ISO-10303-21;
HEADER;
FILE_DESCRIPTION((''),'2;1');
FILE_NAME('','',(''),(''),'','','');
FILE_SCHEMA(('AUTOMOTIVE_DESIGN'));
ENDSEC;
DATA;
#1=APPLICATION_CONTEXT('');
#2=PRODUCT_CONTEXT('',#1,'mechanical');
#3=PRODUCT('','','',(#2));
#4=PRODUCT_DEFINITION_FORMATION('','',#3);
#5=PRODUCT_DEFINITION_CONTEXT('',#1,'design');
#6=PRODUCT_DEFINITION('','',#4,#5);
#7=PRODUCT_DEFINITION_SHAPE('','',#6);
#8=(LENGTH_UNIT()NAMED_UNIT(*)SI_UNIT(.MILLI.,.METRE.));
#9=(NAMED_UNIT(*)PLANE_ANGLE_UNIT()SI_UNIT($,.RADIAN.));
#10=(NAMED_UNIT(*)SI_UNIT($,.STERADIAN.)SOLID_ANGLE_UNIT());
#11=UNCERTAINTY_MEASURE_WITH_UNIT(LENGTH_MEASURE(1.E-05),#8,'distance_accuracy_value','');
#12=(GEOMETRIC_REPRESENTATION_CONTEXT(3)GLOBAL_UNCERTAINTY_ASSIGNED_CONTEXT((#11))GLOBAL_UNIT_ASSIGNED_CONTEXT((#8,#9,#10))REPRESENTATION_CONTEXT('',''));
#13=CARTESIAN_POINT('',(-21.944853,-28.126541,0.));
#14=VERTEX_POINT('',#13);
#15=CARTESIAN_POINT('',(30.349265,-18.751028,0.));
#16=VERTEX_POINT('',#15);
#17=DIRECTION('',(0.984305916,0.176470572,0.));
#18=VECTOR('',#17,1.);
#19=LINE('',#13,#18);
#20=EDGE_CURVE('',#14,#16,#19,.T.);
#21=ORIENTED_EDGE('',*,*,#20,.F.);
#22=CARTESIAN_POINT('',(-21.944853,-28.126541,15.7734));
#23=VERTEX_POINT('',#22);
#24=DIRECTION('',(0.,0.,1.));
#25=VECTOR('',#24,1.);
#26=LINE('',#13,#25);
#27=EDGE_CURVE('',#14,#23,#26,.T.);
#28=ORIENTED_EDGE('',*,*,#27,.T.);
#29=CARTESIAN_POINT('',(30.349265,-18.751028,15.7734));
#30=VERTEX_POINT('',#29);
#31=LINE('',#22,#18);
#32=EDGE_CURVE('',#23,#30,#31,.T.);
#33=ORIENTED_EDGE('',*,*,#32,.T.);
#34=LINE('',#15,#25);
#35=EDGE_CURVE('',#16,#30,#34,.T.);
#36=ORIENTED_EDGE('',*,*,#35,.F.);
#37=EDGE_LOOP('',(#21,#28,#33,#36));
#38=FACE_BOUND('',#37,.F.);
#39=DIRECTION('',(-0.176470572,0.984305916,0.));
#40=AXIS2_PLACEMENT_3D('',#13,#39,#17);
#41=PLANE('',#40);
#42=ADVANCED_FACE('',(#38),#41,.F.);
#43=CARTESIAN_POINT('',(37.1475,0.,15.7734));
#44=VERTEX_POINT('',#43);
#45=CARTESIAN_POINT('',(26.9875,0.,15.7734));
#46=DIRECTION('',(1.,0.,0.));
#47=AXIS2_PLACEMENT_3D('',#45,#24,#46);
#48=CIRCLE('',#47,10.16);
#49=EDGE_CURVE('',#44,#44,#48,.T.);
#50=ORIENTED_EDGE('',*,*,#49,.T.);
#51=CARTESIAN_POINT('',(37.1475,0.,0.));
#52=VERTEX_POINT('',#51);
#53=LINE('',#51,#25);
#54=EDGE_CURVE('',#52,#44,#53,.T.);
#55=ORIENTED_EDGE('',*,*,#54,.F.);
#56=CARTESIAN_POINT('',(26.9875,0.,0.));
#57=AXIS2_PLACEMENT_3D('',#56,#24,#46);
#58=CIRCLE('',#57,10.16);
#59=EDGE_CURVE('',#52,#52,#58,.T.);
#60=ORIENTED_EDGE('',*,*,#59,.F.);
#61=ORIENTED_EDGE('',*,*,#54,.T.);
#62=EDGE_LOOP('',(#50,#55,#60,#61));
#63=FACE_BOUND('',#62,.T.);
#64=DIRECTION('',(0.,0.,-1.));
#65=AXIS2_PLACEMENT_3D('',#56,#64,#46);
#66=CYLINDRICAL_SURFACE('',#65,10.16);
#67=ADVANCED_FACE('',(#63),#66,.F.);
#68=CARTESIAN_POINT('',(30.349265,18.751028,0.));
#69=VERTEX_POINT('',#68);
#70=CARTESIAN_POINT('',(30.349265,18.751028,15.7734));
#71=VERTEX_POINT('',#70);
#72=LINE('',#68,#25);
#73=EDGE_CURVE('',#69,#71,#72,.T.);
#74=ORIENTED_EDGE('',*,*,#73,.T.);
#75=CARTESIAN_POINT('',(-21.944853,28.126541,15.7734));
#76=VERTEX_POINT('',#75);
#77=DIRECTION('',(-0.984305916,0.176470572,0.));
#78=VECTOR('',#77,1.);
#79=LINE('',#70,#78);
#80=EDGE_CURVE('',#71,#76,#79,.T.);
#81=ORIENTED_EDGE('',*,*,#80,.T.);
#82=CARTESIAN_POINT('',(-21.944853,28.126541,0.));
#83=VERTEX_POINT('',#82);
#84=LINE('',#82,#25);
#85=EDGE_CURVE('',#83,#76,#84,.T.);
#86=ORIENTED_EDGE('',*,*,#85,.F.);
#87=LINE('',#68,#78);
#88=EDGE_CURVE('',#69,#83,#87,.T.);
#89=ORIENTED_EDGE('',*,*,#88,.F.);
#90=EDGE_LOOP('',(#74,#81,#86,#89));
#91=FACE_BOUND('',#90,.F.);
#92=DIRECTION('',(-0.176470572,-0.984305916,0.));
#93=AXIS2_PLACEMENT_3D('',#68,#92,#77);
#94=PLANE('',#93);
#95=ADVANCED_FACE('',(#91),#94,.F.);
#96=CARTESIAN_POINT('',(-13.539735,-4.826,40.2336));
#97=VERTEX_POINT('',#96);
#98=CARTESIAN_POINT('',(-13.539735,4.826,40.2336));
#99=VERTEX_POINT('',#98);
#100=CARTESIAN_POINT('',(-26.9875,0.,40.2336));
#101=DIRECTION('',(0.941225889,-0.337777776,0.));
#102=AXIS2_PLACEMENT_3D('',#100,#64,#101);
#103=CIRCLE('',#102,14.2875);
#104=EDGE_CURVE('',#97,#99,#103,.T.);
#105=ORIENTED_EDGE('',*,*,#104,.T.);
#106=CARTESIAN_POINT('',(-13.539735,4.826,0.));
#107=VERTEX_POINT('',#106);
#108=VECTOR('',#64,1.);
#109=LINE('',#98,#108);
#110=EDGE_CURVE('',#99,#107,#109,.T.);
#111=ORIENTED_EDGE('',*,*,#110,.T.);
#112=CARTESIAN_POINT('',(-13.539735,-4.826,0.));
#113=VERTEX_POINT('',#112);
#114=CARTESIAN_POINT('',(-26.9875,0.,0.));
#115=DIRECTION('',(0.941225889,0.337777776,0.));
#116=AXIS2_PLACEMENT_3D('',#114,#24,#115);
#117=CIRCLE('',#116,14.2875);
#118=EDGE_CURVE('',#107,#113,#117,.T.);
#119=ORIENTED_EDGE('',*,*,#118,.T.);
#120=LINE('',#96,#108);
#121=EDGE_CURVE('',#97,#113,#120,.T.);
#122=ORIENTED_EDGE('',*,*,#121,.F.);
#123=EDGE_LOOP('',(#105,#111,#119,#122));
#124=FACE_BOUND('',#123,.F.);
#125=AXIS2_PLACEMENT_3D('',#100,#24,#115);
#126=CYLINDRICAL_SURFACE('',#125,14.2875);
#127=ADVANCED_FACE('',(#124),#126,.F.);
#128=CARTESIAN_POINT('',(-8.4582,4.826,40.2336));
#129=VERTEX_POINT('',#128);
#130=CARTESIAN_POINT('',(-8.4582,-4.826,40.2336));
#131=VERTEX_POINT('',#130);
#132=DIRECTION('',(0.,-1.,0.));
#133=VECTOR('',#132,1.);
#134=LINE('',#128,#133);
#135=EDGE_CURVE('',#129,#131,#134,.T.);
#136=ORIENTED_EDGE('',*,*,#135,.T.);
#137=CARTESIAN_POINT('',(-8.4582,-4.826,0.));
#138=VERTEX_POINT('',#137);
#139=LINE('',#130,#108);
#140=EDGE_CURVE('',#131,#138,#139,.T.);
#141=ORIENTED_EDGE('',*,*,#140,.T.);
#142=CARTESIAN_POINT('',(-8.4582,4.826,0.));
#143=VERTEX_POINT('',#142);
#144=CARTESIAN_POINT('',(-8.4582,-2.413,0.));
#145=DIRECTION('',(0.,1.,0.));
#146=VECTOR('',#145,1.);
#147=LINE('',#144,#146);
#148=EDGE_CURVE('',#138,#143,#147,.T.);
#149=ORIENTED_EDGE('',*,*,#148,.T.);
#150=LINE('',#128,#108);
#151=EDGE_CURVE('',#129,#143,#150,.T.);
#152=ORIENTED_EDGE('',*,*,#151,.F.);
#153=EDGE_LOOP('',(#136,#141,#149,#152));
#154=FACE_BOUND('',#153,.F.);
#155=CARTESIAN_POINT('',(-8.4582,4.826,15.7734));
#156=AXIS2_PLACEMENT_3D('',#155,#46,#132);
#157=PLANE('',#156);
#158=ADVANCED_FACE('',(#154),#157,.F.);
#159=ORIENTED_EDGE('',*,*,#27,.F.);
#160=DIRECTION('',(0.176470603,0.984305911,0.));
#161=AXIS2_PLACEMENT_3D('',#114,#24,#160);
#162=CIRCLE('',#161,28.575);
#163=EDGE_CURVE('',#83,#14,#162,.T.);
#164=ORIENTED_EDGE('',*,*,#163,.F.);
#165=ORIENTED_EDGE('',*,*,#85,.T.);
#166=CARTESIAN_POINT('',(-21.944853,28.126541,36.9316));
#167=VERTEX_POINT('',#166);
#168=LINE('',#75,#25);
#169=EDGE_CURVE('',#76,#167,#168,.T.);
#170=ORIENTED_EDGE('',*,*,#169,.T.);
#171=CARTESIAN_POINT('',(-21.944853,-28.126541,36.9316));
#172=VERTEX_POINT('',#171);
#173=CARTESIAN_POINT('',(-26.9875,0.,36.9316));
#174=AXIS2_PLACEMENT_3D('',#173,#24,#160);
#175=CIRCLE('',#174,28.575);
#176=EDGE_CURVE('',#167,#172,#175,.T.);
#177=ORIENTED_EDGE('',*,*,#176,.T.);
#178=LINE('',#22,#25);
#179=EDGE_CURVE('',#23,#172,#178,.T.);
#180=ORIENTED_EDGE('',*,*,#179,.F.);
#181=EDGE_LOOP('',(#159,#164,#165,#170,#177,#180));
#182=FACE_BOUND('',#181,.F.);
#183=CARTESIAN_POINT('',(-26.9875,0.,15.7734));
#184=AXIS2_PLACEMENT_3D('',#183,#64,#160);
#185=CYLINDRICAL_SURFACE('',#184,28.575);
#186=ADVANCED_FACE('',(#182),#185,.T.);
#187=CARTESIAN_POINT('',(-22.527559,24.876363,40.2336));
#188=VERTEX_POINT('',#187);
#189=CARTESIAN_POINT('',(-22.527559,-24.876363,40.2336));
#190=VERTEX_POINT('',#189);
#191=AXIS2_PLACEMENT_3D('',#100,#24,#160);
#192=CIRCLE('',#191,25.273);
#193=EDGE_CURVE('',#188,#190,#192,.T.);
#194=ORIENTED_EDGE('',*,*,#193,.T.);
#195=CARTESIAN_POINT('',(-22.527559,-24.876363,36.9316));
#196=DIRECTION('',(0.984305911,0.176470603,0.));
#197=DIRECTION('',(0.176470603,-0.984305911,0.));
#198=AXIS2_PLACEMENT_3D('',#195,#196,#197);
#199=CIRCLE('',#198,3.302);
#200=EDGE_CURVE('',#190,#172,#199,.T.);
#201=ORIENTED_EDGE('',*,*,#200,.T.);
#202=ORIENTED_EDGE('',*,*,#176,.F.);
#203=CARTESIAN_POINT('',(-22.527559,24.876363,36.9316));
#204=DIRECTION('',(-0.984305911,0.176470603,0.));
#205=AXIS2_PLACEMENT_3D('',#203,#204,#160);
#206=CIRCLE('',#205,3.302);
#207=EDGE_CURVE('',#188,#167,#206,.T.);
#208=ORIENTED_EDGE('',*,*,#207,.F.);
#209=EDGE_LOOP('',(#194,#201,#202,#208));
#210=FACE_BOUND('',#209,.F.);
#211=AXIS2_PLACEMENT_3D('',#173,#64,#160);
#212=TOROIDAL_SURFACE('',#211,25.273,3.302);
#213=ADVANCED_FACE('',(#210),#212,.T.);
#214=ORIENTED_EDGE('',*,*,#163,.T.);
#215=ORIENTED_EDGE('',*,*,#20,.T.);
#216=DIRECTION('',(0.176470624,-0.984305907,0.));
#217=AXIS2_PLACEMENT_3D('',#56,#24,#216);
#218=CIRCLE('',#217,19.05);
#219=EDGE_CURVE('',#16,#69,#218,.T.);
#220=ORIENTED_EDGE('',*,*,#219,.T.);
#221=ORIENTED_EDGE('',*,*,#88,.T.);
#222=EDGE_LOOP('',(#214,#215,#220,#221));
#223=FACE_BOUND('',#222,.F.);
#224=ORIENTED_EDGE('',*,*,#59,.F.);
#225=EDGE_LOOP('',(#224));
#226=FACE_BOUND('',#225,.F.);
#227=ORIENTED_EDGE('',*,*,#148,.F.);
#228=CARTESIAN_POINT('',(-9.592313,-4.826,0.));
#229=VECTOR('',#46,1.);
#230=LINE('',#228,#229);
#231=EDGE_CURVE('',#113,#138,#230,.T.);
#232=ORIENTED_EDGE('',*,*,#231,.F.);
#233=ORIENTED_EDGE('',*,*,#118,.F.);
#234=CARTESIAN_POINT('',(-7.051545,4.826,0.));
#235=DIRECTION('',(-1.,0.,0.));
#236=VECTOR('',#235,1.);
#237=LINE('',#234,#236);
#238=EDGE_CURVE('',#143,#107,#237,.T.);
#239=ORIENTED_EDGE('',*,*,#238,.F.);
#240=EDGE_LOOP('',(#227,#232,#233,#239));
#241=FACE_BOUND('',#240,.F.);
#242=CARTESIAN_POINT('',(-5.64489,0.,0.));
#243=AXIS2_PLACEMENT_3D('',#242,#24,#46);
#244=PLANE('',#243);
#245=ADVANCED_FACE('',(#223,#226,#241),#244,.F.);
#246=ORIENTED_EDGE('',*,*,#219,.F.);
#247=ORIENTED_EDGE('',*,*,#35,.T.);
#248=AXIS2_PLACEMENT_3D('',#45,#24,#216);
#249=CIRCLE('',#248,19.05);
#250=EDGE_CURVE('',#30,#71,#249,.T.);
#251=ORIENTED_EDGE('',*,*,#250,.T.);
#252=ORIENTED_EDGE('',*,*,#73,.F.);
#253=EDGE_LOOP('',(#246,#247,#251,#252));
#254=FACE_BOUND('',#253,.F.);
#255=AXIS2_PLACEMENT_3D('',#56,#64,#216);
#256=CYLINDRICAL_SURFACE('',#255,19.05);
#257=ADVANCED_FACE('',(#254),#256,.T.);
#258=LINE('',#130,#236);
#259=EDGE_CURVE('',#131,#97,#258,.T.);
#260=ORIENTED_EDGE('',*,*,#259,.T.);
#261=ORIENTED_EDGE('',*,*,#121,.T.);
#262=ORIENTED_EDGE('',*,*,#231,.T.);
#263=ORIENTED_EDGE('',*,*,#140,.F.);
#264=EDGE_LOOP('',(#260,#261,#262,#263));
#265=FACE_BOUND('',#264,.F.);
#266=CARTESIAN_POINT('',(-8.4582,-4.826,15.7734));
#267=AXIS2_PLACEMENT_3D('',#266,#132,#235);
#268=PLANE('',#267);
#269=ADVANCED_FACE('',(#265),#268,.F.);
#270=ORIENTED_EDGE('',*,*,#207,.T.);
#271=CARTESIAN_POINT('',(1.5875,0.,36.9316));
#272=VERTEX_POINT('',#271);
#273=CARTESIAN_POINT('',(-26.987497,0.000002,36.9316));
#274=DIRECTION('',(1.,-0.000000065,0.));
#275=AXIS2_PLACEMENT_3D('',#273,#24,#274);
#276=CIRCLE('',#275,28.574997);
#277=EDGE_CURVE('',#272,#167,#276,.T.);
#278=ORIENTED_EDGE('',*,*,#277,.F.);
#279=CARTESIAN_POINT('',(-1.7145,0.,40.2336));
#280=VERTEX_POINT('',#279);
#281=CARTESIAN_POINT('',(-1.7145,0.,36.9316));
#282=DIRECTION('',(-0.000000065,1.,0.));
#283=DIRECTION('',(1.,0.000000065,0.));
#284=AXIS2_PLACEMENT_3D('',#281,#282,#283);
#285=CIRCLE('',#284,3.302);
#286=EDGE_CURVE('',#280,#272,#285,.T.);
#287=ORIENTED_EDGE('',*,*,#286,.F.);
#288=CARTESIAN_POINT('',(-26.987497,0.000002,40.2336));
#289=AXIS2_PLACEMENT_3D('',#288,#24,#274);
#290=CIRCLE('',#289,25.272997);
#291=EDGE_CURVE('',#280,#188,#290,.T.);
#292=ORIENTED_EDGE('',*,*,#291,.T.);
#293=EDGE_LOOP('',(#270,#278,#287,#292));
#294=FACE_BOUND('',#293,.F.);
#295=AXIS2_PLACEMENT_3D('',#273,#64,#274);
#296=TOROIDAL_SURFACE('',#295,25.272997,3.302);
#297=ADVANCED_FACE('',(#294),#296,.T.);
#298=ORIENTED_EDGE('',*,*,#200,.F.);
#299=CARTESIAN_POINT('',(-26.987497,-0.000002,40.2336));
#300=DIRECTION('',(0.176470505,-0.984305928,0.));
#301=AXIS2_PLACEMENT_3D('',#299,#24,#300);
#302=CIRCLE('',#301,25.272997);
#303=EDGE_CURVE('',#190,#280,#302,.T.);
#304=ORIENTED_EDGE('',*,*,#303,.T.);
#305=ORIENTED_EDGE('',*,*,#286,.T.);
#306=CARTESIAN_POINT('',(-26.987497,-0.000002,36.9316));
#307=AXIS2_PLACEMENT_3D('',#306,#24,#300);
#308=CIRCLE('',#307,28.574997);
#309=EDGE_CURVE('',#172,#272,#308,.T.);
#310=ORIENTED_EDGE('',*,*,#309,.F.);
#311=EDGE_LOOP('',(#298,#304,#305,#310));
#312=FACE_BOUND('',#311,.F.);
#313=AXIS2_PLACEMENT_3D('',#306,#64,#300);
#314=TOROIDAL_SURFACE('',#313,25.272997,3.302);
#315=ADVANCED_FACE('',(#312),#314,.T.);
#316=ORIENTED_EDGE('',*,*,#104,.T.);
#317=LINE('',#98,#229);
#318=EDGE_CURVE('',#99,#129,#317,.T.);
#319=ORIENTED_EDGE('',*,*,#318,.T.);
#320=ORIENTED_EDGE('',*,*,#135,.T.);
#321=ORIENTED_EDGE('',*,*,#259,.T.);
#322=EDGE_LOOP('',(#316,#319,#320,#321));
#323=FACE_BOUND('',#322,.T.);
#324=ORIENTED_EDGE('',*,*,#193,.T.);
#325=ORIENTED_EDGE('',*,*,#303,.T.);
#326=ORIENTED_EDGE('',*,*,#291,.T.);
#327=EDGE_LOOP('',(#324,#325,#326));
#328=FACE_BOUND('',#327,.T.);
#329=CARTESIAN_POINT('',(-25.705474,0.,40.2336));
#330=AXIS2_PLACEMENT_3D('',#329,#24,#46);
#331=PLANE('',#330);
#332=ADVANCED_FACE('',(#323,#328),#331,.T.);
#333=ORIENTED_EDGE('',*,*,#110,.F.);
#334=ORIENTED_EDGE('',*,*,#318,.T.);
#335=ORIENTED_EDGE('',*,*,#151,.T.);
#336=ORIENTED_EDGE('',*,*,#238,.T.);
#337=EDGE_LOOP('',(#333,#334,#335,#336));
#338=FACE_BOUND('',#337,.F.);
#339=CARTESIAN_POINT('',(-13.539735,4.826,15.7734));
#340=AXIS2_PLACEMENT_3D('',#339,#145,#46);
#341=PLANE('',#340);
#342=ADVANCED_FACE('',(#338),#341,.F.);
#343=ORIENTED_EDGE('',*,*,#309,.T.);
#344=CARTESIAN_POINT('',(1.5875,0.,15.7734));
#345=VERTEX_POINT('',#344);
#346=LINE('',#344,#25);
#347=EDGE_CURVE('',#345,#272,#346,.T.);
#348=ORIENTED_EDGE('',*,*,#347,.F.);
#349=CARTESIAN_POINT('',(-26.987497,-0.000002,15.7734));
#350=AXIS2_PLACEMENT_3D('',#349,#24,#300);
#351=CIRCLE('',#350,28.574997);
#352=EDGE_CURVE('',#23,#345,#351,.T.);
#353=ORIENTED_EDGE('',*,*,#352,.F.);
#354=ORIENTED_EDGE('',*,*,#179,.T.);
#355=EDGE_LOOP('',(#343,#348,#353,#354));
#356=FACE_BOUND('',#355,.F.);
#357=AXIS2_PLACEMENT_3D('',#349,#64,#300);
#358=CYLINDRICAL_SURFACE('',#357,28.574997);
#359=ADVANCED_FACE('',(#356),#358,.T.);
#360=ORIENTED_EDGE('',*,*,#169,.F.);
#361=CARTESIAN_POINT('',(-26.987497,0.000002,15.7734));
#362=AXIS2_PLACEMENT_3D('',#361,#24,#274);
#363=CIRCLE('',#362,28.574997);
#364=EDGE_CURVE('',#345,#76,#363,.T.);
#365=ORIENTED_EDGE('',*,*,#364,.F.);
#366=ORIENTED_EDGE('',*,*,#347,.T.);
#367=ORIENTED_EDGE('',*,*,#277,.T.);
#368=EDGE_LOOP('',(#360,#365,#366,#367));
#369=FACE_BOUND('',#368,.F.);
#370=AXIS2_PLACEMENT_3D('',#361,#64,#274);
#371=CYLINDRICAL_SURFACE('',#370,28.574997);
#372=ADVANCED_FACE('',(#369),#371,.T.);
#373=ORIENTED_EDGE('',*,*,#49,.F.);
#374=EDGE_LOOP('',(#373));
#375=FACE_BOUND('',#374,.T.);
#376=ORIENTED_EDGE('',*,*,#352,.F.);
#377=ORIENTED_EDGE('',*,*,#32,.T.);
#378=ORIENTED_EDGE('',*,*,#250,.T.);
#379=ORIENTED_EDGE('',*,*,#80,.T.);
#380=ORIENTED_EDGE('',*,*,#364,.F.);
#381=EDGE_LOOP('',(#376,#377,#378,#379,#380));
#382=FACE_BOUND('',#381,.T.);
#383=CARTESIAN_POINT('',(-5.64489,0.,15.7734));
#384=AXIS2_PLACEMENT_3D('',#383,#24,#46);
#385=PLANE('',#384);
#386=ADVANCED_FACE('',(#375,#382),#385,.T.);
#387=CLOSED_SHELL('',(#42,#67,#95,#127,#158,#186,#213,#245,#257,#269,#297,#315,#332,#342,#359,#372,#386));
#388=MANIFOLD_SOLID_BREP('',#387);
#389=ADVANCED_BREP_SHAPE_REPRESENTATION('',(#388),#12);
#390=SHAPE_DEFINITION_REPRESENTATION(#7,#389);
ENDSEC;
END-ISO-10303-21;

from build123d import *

# Parameters (mm, degrees)
F0_R     = 10.16
F1_DEPTH = 15.7734
F3_DEPTH = 24.4602
F5_DEPTH = 40.2346
F6_R     = 3.302


with BuildPart() as f1:
    # F0 (on Top) → F1 (new body)
    with BuildSketch(Plane.XY):
        with BuildLine():
            Line((30.349265, 18.751028), (-21.944853, 28.126541))
            ThreePointArc((-21.944853, 28.126541), (-55.5625, 0), (-21.944853, -28.126541))
            Line((-21.944853, -28.126541), (30.349265, -18.751028))
            ThreePointArc((30.349265, -18.751028), (46.0375, 0), (30.349265, 18.751028))
        make_face()
        with Locations((26.9875, 0)):
            Circle(F0_R, mode=Mode.SUBTRACT)
    extrude(amount=F1_DEPTH)

    # F2 (on face) → F3 (join)
    with BuildSketch(Plane.XY.offset(15.7734)):
        with BuildLine():
            ThreePointArc((-21.944853, -28.126541), (-5.071475, -18.336262), (1.5875, 0))
            ThreePointArc((1.5875, 0), (-5.071475, 18.336262), (-21.944853, 28.126541))
            ThreePointArc((-21.944853, 28.126541), (-55.5625, 0), (-21.944853, -28.126541))
        make_face()
        with BuildLine():
            ThreePointArc((-13.539735, -4.826), (-41.275, 0), (-13.539735, 4.826))
            Line((-13.539735, 4.826), (-8.4582, 4.826))
            Line((-8.4582, 4.826), (-8.4582, -4.826))
            Line((-8.4582, -4.826), (-13.539735, -4.826))
        make_face(mode=Mode.SUBTRACT)
    extrude(amount=F3_DEPTH)

    # F4 (on face) → F5 (cut, through all)
    with BuildSketch(Plane.XY.offset(40.2336)):
        with BuildLine():
            Line((-8.4582, 4.826), (-13.539735, 4.826))
            ThreePointArc((-13.539735, 4.826), (-41.275, 0), (-13.539735, -4.826))
            Line((-13.539735, -4.826), (-8.4582, -4.826))
            Line((-8.4582, -4.826), (-8.4582, 4.826))
        make_face()
    extrude(amount=-F5_DEPTH, mode=Mode.SUBTRACT)

    # F6
    f6_edges = [f1.edges().sort_by_distance(p)[0] for p in [
        (-32.030147, 28.126541, 40.2336),
    ]]
    fillet(f6_edges, radius=F6_R)


solid = f1.part
